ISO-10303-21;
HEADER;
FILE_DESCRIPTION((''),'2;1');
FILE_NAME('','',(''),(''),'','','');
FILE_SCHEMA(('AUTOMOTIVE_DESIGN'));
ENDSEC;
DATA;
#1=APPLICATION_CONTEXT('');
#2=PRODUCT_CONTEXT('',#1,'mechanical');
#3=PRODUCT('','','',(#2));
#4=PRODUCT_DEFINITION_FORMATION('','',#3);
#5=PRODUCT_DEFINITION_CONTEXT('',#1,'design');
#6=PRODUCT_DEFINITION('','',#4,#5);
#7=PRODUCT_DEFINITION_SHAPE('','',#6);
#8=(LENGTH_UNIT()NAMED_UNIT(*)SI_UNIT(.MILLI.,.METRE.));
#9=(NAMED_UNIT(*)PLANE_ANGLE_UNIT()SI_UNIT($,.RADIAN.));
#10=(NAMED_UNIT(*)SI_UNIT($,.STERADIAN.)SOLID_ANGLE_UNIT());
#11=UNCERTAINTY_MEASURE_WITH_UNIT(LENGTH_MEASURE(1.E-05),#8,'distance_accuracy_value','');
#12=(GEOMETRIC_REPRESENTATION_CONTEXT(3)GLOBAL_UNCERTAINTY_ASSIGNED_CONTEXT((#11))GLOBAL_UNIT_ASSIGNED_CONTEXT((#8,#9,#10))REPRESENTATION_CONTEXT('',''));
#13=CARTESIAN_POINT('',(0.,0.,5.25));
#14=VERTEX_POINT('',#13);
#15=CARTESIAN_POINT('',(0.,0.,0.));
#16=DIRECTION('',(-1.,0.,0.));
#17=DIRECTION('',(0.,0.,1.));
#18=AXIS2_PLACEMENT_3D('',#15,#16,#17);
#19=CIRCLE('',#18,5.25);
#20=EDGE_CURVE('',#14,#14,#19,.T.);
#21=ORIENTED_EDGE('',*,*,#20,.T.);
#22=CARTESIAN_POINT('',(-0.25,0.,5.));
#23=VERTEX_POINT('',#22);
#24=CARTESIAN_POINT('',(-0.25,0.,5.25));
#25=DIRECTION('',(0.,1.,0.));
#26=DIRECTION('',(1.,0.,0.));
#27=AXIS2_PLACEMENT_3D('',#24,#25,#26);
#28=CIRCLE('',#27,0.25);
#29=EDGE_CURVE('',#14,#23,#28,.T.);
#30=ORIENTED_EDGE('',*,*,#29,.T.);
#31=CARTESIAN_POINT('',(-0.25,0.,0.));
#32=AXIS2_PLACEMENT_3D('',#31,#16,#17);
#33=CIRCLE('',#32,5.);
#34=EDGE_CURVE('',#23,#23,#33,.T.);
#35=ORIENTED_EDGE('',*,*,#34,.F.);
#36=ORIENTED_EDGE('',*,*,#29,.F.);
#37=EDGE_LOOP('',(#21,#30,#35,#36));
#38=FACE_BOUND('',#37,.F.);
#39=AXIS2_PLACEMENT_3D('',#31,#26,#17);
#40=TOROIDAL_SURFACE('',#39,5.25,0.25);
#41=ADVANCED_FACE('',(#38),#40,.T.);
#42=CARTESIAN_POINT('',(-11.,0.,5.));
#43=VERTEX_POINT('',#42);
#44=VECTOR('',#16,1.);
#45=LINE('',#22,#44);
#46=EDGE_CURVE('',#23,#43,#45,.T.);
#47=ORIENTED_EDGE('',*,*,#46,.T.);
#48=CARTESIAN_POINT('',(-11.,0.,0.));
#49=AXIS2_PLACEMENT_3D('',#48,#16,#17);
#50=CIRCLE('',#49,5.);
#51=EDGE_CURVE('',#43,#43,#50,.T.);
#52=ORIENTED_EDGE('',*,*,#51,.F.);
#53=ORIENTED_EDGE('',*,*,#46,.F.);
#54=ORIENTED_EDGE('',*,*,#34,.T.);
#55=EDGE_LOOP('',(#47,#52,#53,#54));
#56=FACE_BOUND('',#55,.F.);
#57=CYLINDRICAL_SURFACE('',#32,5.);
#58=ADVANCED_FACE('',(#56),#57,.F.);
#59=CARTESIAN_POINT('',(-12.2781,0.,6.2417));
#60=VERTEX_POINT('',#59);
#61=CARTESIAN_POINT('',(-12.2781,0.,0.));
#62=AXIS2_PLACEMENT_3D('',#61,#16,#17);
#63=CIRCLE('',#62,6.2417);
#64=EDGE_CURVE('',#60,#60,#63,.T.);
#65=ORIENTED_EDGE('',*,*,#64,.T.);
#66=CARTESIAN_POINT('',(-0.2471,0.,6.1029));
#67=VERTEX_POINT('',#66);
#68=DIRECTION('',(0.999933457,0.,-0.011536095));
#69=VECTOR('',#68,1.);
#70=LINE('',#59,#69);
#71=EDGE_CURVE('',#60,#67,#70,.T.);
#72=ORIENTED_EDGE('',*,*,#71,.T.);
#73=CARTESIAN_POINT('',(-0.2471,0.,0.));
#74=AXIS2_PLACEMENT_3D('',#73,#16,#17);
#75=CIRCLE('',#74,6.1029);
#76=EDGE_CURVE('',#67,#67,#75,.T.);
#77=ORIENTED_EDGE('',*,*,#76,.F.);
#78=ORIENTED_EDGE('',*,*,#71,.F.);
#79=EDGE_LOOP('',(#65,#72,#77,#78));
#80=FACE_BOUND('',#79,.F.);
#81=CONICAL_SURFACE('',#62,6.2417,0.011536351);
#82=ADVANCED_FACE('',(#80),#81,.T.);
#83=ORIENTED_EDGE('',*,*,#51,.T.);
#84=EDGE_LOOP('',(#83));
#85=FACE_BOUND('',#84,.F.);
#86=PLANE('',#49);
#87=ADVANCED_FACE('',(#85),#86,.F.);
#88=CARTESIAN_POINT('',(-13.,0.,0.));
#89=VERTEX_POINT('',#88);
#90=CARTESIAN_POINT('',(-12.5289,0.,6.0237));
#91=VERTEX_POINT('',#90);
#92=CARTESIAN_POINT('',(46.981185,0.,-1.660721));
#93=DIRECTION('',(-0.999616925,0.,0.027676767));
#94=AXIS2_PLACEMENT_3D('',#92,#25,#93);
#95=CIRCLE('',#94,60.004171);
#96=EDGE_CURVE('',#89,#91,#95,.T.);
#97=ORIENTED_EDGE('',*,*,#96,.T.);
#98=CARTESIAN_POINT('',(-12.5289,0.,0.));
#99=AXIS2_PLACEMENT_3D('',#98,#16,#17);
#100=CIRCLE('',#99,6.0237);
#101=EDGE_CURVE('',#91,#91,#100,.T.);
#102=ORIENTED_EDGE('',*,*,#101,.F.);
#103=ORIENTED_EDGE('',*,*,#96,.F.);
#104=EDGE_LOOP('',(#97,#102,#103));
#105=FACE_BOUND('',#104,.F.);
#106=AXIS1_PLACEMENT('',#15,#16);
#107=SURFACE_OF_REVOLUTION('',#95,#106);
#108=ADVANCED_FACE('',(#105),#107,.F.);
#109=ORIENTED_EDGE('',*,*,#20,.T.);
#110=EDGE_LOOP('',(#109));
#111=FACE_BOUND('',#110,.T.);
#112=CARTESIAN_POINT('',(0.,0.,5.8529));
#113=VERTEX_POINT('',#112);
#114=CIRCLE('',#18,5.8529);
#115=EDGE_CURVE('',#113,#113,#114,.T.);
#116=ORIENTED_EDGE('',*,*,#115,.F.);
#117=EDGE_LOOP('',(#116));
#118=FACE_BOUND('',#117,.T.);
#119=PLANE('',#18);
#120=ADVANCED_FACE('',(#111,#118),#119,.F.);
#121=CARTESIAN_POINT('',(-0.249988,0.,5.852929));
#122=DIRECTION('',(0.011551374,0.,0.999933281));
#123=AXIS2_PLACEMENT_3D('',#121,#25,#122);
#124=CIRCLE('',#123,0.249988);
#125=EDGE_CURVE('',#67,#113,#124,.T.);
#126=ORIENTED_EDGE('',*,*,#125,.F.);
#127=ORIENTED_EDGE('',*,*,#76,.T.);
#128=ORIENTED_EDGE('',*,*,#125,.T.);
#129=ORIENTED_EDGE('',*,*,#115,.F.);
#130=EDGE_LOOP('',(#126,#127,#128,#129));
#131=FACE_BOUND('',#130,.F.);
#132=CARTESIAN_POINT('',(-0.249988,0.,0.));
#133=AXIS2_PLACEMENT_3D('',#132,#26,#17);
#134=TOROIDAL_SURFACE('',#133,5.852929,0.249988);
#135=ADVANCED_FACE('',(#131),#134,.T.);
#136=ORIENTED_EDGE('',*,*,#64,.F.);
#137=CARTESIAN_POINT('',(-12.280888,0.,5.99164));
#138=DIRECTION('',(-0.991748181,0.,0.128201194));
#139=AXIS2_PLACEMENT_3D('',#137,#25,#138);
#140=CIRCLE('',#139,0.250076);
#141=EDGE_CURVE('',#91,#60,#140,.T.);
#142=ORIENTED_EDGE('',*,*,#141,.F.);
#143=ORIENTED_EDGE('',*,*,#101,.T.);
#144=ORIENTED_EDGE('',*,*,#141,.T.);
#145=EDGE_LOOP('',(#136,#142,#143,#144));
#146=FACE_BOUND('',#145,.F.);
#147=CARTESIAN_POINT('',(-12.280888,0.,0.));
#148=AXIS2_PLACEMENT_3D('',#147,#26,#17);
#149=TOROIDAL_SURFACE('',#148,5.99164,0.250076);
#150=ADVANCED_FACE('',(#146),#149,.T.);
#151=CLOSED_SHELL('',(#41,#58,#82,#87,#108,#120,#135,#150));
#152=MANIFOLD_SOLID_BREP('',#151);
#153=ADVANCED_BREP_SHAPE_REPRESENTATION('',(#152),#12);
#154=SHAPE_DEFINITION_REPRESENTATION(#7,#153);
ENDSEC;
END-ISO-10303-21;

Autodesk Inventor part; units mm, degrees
ref_plane "YZ Plane" through (0, 0, 0) normal (1, 0, 0) x (0, 1, 0)
ref_plane "XZ Plane" through (0, 0, 0) normal (0, 1, 0) x (-1, 0, 0)
ref_plane "XY Plane" through (0, 0, 0) normal (0, 0, 1) x (1, 0, 0)
sketch "Sketch1" plane through (0, 0, 0) normal (0, 1, 0) x (-1, 0, 0)
  line L0 (0, 0) -> (13, 0) construction
  line L1 (0.25, 5) -> (11, 5)
  line L2 (11, 5) -> (11, 0)
  line L3 (0, 5.25) -> (0, 5.8529)
  line L4 (13, 0) -> (13, 6.25) construction
  line L5 (12.2781, 6.2417) -> (0.2471, 6.1029)
  arc A0 (13, 0) -> (12.5289, 6.0237) centre (-46.977, -1.6605) ccw
  arc A1 (0.2471, 6.1029) -> (0, 5.8529) centre (0.25, 5.8529) ccw
  arc A2 (0, 5.25) -> (0.25, 5) centre (0.25, 5.25) ccw
  arc A3 (12.5289, 6.0237) -> (12.2781, 6.2417) centre (12.281, 5.9917) ccw
  line L6 (13, 0) -> (11, 0)
  point P0 (0, 5)
  point P1 (0, 6.1)
  point P2 (12.5, 6.2442)
  dimension "d0" = 13
  dimension "d1" = 11
  dimension "d2" = 5
  dimension "d3" = 1.1
  dimension "d5" = 2
  dimension "d6" = 6.25
  dimension "d7" = 60
  dimension "d8" = 0.5
  dimension "d9" = 0.25
revolve "Revolution1" add sketch "Sketch1" angle 360 about axis through (0, 0, 0) along (-1, 0, 0)
properties part number "10mm_Endcap" material "Rubber"
